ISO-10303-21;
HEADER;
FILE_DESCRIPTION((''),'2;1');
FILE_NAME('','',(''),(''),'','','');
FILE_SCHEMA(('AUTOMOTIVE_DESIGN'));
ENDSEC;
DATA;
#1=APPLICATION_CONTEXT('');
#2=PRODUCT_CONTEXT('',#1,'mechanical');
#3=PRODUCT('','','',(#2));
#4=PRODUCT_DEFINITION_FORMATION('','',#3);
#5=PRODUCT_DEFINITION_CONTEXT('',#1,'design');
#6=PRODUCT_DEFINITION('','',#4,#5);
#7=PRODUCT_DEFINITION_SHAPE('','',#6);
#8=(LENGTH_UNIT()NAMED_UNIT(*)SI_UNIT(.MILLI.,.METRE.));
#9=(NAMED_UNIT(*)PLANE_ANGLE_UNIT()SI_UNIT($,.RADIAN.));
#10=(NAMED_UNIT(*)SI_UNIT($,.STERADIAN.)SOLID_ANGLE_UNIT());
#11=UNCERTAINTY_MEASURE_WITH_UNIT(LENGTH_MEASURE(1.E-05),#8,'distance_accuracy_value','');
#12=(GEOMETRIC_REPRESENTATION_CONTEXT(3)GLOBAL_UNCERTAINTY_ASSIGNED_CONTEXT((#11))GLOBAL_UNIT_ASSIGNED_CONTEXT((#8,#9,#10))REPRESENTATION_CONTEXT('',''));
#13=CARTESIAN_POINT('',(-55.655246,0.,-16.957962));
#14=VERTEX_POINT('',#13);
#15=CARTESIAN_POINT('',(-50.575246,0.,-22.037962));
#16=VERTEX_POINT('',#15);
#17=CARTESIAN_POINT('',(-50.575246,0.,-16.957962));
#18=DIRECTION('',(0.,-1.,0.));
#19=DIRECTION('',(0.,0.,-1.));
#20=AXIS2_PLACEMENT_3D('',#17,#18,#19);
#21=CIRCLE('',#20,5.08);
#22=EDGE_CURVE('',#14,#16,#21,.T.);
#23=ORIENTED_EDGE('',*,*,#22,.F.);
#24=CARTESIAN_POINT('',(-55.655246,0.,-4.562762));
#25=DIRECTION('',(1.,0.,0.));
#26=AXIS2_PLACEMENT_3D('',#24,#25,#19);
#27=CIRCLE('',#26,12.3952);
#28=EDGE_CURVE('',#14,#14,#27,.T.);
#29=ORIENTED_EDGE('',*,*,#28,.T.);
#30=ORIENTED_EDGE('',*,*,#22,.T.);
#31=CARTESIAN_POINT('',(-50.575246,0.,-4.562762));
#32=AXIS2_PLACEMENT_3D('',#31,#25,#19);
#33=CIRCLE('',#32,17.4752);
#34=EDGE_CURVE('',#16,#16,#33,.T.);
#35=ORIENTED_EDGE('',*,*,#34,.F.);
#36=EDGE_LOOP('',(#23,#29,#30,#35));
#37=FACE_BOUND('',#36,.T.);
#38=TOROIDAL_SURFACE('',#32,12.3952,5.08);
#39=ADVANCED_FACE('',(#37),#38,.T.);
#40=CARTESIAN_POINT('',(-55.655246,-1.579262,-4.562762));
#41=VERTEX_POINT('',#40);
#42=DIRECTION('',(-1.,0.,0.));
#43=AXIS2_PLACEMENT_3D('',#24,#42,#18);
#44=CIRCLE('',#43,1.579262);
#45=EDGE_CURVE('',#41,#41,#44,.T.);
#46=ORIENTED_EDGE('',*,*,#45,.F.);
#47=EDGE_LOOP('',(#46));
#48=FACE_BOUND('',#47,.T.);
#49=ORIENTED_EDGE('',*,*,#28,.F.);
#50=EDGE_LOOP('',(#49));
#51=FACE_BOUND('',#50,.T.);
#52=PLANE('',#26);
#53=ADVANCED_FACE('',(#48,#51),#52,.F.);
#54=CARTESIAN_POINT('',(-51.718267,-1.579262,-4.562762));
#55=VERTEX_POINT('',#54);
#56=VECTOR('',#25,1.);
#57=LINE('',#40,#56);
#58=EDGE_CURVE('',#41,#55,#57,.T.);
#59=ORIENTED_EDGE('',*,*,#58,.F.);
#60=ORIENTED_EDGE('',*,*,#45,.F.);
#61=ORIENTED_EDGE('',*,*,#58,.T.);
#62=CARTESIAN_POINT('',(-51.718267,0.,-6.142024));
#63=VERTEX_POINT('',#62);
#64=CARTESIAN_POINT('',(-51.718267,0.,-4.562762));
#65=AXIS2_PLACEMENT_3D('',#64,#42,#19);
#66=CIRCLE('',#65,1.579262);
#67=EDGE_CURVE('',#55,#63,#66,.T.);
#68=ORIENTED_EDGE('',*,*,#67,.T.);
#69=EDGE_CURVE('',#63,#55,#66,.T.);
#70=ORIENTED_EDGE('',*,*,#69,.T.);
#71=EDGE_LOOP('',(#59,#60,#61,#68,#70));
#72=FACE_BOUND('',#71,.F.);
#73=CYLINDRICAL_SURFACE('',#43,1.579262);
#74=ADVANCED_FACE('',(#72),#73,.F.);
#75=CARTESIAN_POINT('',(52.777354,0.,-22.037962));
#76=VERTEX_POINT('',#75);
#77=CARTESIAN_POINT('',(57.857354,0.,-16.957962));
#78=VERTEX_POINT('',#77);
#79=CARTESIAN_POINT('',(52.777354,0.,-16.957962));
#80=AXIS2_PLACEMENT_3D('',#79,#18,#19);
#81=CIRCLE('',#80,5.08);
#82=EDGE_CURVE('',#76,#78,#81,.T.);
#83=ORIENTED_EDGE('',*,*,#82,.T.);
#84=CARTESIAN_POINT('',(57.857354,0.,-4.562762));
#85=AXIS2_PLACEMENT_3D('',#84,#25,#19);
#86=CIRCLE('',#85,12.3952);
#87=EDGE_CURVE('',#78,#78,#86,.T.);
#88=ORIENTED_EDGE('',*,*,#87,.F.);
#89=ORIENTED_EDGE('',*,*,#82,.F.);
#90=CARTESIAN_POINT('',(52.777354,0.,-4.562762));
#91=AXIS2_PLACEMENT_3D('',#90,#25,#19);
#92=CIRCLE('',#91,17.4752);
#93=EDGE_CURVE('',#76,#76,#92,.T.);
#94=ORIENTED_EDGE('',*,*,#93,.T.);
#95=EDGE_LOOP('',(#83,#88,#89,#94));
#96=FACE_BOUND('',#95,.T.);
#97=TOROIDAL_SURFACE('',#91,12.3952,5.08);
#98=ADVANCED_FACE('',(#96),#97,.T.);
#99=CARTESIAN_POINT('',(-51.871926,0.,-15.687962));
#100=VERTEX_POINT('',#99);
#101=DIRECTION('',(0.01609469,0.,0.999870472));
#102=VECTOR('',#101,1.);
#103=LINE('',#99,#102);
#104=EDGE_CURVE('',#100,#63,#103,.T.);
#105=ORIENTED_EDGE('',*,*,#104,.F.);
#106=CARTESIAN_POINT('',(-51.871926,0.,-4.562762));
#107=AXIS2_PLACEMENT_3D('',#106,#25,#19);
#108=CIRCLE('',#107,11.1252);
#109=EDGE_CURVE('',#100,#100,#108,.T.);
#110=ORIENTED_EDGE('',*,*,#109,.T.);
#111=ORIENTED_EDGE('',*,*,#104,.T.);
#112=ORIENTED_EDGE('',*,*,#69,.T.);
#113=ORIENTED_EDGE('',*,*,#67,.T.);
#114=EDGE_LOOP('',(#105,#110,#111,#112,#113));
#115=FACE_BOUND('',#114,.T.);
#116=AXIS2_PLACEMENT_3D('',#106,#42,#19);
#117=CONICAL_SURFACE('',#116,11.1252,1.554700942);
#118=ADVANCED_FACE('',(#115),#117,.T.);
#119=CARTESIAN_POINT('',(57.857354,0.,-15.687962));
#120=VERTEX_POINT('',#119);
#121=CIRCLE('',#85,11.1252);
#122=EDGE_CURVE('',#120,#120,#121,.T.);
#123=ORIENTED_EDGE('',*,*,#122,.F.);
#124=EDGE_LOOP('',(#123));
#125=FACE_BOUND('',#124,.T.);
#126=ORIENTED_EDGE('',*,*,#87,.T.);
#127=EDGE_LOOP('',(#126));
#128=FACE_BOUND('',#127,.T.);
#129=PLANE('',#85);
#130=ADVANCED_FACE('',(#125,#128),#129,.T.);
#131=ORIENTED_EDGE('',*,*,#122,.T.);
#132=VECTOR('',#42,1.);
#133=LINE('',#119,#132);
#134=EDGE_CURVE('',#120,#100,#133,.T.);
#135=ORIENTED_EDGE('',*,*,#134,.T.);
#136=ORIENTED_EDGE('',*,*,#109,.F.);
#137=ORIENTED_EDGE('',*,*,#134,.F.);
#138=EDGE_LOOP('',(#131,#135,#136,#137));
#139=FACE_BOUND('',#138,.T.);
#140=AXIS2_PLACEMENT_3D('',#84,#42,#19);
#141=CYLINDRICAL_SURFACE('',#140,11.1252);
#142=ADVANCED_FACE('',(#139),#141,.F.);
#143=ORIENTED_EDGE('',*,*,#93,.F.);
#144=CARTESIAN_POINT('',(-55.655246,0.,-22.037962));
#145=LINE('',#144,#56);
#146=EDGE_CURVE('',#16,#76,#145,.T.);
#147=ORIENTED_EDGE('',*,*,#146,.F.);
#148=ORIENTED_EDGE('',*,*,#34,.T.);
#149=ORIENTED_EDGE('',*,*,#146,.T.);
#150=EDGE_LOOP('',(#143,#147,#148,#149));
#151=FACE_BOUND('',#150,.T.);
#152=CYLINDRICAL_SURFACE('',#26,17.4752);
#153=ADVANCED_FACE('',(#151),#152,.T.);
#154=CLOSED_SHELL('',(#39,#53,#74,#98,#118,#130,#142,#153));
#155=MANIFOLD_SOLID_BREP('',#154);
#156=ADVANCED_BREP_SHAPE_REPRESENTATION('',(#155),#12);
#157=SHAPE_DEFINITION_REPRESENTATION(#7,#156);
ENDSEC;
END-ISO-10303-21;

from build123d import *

# Parameters (mm, degrees)
F2_R     = 5.08
F3_R     = 1.5792617016
F4_DEPTH = 25.4


with BuildPart() as f1:
    # F0 (on Front) → F1 (revolve)
    with BuildSketch(Plane.XZ):
        Polygon((-55.6552457488, -4.5627619832), (-55.6552457488, -22.0379619832), (57.8573542512, -22.0379619832), (57.8573542512, -15.6879619832), (-51.8719255924, -15.6879619832), (-51.6928457488, -4.5627619832), align=None)
    revolve(axis=Axis((-53.6740457488, 0, -4.5627619832), (1, 0, 0)))

    # F2
    f2_edges = [f1.edges().sort_by_distance(p)[0] for p in [
        (57.857354, 0, 12.912438),
        (-55.655246, 0, 12.912438),
    ]]
    fillet(f2_edges, radius=F2_R)

    # F3 (on face) → F4 (cut)
    with BuildSketch(Plane(origin=(-55.6552457488, 0, 0), x_dir=(0, -1, 0), z_dir=(-1, 0, 0))):
        with Locations((0, -4.5627619832)):
            Circle(F3_R)
    extrude(amount=-F4_DEPTH, mode=Mode.SUBTRACT)


solid = f1.part
